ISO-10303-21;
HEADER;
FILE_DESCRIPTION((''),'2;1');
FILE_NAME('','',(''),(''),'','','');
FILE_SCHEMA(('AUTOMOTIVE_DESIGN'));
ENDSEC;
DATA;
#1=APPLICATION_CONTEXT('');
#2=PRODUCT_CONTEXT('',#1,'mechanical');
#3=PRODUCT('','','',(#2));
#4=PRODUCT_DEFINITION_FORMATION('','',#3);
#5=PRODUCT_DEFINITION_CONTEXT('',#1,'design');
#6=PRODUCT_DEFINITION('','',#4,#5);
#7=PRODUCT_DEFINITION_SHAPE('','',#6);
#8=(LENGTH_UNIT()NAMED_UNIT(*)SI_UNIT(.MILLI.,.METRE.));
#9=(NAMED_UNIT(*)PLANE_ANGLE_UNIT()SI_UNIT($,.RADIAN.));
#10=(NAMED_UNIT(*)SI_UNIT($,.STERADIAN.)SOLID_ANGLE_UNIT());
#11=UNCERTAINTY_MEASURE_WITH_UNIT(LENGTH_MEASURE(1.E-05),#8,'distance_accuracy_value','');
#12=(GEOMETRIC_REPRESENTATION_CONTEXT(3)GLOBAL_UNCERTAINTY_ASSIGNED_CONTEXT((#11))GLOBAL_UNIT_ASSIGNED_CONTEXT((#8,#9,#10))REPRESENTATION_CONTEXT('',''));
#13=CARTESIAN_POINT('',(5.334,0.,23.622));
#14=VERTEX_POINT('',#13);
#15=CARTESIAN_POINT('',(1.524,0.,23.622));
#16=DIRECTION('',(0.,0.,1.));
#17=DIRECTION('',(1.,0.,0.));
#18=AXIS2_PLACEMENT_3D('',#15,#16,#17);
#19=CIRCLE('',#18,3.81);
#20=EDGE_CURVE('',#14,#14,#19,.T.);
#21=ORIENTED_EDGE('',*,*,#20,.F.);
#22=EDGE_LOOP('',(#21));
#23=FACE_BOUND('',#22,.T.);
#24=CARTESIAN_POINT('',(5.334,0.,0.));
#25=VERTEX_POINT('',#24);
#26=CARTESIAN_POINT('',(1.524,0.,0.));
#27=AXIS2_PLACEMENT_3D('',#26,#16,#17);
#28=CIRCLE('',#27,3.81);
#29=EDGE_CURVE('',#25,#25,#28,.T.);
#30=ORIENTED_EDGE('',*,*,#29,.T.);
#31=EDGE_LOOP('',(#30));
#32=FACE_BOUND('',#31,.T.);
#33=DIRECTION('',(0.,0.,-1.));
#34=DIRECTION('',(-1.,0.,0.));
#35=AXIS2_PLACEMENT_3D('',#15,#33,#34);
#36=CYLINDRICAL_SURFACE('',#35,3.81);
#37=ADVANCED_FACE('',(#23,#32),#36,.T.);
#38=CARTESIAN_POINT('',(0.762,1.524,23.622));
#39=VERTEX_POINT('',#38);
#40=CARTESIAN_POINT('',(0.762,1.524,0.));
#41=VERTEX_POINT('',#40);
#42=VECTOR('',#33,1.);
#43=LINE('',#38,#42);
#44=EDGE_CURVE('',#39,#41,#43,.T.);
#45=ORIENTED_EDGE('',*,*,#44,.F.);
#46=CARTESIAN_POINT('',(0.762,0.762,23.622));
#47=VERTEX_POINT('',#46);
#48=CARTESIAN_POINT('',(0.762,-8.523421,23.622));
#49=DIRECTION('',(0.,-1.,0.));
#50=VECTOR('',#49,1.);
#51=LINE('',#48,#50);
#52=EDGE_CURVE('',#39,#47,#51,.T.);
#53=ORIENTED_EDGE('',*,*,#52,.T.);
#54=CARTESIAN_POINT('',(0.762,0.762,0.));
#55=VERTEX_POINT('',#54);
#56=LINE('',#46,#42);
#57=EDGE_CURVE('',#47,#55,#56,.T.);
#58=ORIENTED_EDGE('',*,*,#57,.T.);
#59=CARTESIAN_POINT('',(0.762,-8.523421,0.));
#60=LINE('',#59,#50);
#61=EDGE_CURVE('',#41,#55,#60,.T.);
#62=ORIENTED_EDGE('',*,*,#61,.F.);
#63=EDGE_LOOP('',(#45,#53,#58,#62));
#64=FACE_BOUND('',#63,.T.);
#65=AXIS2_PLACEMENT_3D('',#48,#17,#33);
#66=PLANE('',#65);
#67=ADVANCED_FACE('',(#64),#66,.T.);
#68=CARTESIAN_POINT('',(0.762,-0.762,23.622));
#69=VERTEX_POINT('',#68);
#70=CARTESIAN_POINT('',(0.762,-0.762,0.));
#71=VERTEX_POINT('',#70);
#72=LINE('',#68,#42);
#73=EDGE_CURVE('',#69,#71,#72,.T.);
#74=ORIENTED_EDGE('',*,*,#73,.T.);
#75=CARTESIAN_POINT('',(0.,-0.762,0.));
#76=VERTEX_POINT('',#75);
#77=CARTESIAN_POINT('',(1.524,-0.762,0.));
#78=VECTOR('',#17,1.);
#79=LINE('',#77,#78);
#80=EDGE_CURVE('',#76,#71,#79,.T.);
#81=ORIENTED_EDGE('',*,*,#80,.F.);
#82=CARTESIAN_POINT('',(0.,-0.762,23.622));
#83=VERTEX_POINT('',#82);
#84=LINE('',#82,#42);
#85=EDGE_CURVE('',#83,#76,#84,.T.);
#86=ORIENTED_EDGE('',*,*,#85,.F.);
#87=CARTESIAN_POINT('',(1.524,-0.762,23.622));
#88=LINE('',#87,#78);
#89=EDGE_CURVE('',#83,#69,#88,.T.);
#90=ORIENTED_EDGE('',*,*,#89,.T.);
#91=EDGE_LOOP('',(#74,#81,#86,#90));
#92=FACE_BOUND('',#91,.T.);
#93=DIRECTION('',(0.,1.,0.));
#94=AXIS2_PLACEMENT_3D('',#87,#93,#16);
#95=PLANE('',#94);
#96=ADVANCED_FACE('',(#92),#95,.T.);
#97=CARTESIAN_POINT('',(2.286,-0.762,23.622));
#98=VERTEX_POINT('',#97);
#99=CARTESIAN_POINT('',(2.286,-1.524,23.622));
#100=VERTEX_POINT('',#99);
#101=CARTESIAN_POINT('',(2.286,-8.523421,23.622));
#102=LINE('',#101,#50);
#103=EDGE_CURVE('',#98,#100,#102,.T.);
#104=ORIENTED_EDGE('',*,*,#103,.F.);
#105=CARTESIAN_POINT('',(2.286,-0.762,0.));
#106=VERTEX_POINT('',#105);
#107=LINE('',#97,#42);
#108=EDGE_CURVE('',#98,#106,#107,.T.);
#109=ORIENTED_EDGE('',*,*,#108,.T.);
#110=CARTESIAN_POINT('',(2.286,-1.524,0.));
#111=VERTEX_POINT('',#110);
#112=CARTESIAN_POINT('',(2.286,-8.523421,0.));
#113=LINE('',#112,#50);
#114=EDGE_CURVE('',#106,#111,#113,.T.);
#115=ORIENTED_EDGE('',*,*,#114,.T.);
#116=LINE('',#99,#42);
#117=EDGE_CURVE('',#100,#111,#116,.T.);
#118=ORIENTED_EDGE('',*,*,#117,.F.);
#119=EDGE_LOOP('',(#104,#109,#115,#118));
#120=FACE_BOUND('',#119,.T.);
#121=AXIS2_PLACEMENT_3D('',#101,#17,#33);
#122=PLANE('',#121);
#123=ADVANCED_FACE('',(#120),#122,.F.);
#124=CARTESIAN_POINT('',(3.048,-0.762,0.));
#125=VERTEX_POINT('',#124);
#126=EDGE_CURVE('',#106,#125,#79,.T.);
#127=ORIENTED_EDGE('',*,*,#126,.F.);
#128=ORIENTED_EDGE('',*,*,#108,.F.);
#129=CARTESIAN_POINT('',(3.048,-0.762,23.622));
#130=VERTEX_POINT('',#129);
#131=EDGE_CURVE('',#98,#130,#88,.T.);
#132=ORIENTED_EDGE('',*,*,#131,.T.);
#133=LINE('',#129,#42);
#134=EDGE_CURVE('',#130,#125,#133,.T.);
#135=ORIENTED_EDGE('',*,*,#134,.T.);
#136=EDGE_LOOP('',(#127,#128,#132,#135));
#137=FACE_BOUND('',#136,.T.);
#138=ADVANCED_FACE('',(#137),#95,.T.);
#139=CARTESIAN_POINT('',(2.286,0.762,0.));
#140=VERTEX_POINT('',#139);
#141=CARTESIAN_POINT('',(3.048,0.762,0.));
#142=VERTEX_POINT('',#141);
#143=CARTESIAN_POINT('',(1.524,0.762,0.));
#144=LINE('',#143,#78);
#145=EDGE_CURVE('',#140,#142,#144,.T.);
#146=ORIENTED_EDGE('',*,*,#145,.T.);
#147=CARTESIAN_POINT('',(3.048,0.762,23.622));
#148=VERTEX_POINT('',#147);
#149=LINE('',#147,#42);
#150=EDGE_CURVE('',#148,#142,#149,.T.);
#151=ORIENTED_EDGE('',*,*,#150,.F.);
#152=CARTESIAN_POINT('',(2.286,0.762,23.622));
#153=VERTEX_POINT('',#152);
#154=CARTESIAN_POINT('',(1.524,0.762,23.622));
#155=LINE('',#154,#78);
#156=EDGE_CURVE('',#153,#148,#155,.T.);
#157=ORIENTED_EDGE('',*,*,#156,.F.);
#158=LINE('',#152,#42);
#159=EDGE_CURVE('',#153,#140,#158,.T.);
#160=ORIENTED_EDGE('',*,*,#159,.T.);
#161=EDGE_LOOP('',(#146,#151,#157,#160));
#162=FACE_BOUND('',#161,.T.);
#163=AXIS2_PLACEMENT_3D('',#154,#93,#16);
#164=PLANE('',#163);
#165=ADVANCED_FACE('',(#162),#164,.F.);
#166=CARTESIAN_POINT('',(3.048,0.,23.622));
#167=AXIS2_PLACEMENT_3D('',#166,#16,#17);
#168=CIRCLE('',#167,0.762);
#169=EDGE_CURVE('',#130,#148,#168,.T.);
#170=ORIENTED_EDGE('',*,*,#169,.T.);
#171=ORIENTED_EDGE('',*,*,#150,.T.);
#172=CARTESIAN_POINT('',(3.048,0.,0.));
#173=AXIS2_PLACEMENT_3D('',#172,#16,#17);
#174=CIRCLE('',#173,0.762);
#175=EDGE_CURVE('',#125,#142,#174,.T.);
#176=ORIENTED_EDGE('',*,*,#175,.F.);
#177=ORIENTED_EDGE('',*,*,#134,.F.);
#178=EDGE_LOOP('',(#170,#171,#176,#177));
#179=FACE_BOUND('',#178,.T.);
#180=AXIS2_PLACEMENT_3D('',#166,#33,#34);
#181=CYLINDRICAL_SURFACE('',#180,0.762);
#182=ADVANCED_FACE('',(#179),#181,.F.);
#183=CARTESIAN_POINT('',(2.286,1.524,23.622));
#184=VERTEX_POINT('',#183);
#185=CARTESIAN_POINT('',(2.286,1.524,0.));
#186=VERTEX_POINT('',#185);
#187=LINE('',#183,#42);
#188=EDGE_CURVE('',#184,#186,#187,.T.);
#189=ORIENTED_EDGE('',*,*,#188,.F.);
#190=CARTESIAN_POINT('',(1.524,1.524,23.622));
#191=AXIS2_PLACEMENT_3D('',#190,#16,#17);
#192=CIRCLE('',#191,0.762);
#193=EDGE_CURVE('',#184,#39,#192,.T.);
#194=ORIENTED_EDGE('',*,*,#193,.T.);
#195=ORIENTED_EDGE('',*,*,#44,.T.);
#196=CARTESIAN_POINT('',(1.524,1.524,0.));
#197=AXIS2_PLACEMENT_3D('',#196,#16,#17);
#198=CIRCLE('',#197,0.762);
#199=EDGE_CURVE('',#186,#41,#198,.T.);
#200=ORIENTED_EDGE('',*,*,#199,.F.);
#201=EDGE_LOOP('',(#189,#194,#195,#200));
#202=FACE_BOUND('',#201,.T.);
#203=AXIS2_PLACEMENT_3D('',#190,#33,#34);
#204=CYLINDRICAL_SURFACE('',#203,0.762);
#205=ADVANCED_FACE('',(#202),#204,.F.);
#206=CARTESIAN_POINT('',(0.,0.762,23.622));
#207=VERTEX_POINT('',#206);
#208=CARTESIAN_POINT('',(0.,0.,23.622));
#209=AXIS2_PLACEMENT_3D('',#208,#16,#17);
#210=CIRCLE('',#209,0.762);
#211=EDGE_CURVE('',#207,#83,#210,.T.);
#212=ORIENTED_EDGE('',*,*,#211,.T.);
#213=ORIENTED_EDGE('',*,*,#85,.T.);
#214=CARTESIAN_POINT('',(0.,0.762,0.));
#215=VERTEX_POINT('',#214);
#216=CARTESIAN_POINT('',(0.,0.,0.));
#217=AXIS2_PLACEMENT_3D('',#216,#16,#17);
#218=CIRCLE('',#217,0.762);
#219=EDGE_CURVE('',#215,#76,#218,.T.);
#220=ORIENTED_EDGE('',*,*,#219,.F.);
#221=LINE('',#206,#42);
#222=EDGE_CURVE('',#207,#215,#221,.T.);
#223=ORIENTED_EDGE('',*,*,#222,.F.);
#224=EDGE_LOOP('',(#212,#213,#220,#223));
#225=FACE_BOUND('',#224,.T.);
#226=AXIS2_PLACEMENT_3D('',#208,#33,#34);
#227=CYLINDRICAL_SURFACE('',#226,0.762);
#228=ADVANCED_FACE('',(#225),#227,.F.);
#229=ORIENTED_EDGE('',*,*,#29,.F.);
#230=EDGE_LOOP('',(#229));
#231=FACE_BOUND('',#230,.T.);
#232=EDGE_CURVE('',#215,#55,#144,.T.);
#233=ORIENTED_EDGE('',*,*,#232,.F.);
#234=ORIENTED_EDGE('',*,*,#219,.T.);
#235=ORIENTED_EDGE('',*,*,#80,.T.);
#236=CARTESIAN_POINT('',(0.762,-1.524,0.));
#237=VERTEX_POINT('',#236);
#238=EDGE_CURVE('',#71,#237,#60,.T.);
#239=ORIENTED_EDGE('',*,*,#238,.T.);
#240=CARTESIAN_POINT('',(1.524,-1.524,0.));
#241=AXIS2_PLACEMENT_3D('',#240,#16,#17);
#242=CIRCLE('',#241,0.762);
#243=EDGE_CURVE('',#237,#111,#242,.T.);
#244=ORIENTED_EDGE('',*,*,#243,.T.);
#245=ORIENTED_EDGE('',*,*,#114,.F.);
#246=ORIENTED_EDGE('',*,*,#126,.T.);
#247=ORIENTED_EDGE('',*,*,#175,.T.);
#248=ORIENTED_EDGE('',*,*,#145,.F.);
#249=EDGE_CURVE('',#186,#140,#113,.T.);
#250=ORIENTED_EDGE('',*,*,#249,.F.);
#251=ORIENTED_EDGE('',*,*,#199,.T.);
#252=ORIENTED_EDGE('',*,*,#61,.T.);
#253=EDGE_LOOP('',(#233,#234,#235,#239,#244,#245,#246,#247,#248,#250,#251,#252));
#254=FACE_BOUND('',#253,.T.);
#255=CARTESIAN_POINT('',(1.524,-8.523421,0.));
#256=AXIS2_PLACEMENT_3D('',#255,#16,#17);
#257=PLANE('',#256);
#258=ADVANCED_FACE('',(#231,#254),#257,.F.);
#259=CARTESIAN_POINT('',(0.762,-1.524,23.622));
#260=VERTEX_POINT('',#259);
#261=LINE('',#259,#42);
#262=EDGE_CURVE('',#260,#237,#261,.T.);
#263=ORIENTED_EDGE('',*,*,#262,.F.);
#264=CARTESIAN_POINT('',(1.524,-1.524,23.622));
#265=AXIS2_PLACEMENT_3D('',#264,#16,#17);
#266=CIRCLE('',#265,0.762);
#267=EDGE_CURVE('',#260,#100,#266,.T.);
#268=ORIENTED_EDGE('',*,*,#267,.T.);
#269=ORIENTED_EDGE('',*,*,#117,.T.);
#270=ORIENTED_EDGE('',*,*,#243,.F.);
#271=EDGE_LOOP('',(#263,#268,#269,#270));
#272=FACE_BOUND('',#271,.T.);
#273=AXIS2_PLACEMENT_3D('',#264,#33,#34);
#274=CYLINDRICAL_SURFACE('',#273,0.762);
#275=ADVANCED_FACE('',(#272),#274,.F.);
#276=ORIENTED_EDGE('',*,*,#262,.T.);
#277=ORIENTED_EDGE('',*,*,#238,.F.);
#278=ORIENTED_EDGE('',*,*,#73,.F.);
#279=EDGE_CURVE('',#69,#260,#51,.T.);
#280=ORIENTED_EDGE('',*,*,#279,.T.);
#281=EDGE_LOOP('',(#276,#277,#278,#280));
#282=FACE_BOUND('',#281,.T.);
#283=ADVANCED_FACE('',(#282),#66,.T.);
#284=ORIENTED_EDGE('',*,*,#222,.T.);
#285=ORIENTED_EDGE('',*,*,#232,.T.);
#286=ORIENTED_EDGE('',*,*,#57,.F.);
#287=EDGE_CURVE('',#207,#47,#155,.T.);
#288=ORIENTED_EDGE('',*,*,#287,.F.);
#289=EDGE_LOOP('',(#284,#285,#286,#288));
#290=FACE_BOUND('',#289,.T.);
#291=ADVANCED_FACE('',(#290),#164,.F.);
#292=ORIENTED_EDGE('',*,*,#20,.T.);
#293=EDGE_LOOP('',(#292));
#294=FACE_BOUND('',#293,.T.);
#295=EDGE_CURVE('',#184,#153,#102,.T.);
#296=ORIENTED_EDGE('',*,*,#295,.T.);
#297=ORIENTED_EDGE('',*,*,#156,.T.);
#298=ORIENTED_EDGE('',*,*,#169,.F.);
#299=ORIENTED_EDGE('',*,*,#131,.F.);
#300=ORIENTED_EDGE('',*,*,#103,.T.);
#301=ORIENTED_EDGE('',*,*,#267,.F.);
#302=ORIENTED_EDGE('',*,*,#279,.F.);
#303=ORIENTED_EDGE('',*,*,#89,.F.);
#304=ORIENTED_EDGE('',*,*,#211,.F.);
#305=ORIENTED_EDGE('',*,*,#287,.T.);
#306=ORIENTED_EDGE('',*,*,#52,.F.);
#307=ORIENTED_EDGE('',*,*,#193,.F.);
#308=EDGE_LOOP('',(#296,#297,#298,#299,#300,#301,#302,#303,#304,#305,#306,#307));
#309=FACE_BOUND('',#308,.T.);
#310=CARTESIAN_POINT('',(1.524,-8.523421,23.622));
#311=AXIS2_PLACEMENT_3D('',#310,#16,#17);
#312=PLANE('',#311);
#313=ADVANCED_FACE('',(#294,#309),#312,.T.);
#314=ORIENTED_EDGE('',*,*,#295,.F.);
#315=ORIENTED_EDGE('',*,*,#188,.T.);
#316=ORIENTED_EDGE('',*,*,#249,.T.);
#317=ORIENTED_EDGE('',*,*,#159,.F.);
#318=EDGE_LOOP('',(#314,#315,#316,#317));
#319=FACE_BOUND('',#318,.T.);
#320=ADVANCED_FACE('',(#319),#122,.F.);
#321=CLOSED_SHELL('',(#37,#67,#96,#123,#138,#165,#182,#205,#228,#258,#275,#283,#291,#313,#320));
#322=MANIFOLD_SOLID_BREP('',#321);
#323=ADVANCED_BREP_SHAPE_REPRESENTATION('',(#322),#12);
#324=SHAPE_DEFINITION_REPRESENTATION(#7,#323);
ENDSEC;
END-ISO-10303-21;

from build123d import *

# Parameters (mm, degrees)
SKETCH1_R           = 3.81
BOSS_EXTRUDE1_DEPTH = 23.622


with BuildPart() as part:
    # Sketch1 → Boss-Extrude1 (new body)
    with BuildSketch(Plane.XY):
        with Locations((1.524, 0)):
            Circle(SKETCH1_R)
        with BuildLine():
            ThreePointArc((0, -0.762), (-0.762, 0), (0, 0.762))
            Line((0, 0.762), (0.762, 0.762))
            Line((0.762, 0.762), (0.762, 1.524))
            ThreePointArc((0.762, 1.524), (1.524, 2.286), (2.286, 1.524))
            Line((2.286, 1.524), (2.286, 0.762))
            Line((2.286, 0.762), (3.048, 0.762))
            ThreePointArc((3.048, 0.762), (3.81, 0), (3.048, -0.762))
            Line((3.048, -0.762), (2.286, -0.762))
            Line((2.286, -0.762), (2.286, -1.524))
            ThreePointArc((2.286, -1.524), (1.524, -2.286), (0.762, -1.524))
            Line((0.762, -1.524), (0.762, -0.762))
            Line((0.762, -0.762), (0, -0.762))
        make_face(mode=Mode.SUBTRACT)
    extrude(amount=BOSS_EXTRUDE1_DEPTH)


solid = part.part
